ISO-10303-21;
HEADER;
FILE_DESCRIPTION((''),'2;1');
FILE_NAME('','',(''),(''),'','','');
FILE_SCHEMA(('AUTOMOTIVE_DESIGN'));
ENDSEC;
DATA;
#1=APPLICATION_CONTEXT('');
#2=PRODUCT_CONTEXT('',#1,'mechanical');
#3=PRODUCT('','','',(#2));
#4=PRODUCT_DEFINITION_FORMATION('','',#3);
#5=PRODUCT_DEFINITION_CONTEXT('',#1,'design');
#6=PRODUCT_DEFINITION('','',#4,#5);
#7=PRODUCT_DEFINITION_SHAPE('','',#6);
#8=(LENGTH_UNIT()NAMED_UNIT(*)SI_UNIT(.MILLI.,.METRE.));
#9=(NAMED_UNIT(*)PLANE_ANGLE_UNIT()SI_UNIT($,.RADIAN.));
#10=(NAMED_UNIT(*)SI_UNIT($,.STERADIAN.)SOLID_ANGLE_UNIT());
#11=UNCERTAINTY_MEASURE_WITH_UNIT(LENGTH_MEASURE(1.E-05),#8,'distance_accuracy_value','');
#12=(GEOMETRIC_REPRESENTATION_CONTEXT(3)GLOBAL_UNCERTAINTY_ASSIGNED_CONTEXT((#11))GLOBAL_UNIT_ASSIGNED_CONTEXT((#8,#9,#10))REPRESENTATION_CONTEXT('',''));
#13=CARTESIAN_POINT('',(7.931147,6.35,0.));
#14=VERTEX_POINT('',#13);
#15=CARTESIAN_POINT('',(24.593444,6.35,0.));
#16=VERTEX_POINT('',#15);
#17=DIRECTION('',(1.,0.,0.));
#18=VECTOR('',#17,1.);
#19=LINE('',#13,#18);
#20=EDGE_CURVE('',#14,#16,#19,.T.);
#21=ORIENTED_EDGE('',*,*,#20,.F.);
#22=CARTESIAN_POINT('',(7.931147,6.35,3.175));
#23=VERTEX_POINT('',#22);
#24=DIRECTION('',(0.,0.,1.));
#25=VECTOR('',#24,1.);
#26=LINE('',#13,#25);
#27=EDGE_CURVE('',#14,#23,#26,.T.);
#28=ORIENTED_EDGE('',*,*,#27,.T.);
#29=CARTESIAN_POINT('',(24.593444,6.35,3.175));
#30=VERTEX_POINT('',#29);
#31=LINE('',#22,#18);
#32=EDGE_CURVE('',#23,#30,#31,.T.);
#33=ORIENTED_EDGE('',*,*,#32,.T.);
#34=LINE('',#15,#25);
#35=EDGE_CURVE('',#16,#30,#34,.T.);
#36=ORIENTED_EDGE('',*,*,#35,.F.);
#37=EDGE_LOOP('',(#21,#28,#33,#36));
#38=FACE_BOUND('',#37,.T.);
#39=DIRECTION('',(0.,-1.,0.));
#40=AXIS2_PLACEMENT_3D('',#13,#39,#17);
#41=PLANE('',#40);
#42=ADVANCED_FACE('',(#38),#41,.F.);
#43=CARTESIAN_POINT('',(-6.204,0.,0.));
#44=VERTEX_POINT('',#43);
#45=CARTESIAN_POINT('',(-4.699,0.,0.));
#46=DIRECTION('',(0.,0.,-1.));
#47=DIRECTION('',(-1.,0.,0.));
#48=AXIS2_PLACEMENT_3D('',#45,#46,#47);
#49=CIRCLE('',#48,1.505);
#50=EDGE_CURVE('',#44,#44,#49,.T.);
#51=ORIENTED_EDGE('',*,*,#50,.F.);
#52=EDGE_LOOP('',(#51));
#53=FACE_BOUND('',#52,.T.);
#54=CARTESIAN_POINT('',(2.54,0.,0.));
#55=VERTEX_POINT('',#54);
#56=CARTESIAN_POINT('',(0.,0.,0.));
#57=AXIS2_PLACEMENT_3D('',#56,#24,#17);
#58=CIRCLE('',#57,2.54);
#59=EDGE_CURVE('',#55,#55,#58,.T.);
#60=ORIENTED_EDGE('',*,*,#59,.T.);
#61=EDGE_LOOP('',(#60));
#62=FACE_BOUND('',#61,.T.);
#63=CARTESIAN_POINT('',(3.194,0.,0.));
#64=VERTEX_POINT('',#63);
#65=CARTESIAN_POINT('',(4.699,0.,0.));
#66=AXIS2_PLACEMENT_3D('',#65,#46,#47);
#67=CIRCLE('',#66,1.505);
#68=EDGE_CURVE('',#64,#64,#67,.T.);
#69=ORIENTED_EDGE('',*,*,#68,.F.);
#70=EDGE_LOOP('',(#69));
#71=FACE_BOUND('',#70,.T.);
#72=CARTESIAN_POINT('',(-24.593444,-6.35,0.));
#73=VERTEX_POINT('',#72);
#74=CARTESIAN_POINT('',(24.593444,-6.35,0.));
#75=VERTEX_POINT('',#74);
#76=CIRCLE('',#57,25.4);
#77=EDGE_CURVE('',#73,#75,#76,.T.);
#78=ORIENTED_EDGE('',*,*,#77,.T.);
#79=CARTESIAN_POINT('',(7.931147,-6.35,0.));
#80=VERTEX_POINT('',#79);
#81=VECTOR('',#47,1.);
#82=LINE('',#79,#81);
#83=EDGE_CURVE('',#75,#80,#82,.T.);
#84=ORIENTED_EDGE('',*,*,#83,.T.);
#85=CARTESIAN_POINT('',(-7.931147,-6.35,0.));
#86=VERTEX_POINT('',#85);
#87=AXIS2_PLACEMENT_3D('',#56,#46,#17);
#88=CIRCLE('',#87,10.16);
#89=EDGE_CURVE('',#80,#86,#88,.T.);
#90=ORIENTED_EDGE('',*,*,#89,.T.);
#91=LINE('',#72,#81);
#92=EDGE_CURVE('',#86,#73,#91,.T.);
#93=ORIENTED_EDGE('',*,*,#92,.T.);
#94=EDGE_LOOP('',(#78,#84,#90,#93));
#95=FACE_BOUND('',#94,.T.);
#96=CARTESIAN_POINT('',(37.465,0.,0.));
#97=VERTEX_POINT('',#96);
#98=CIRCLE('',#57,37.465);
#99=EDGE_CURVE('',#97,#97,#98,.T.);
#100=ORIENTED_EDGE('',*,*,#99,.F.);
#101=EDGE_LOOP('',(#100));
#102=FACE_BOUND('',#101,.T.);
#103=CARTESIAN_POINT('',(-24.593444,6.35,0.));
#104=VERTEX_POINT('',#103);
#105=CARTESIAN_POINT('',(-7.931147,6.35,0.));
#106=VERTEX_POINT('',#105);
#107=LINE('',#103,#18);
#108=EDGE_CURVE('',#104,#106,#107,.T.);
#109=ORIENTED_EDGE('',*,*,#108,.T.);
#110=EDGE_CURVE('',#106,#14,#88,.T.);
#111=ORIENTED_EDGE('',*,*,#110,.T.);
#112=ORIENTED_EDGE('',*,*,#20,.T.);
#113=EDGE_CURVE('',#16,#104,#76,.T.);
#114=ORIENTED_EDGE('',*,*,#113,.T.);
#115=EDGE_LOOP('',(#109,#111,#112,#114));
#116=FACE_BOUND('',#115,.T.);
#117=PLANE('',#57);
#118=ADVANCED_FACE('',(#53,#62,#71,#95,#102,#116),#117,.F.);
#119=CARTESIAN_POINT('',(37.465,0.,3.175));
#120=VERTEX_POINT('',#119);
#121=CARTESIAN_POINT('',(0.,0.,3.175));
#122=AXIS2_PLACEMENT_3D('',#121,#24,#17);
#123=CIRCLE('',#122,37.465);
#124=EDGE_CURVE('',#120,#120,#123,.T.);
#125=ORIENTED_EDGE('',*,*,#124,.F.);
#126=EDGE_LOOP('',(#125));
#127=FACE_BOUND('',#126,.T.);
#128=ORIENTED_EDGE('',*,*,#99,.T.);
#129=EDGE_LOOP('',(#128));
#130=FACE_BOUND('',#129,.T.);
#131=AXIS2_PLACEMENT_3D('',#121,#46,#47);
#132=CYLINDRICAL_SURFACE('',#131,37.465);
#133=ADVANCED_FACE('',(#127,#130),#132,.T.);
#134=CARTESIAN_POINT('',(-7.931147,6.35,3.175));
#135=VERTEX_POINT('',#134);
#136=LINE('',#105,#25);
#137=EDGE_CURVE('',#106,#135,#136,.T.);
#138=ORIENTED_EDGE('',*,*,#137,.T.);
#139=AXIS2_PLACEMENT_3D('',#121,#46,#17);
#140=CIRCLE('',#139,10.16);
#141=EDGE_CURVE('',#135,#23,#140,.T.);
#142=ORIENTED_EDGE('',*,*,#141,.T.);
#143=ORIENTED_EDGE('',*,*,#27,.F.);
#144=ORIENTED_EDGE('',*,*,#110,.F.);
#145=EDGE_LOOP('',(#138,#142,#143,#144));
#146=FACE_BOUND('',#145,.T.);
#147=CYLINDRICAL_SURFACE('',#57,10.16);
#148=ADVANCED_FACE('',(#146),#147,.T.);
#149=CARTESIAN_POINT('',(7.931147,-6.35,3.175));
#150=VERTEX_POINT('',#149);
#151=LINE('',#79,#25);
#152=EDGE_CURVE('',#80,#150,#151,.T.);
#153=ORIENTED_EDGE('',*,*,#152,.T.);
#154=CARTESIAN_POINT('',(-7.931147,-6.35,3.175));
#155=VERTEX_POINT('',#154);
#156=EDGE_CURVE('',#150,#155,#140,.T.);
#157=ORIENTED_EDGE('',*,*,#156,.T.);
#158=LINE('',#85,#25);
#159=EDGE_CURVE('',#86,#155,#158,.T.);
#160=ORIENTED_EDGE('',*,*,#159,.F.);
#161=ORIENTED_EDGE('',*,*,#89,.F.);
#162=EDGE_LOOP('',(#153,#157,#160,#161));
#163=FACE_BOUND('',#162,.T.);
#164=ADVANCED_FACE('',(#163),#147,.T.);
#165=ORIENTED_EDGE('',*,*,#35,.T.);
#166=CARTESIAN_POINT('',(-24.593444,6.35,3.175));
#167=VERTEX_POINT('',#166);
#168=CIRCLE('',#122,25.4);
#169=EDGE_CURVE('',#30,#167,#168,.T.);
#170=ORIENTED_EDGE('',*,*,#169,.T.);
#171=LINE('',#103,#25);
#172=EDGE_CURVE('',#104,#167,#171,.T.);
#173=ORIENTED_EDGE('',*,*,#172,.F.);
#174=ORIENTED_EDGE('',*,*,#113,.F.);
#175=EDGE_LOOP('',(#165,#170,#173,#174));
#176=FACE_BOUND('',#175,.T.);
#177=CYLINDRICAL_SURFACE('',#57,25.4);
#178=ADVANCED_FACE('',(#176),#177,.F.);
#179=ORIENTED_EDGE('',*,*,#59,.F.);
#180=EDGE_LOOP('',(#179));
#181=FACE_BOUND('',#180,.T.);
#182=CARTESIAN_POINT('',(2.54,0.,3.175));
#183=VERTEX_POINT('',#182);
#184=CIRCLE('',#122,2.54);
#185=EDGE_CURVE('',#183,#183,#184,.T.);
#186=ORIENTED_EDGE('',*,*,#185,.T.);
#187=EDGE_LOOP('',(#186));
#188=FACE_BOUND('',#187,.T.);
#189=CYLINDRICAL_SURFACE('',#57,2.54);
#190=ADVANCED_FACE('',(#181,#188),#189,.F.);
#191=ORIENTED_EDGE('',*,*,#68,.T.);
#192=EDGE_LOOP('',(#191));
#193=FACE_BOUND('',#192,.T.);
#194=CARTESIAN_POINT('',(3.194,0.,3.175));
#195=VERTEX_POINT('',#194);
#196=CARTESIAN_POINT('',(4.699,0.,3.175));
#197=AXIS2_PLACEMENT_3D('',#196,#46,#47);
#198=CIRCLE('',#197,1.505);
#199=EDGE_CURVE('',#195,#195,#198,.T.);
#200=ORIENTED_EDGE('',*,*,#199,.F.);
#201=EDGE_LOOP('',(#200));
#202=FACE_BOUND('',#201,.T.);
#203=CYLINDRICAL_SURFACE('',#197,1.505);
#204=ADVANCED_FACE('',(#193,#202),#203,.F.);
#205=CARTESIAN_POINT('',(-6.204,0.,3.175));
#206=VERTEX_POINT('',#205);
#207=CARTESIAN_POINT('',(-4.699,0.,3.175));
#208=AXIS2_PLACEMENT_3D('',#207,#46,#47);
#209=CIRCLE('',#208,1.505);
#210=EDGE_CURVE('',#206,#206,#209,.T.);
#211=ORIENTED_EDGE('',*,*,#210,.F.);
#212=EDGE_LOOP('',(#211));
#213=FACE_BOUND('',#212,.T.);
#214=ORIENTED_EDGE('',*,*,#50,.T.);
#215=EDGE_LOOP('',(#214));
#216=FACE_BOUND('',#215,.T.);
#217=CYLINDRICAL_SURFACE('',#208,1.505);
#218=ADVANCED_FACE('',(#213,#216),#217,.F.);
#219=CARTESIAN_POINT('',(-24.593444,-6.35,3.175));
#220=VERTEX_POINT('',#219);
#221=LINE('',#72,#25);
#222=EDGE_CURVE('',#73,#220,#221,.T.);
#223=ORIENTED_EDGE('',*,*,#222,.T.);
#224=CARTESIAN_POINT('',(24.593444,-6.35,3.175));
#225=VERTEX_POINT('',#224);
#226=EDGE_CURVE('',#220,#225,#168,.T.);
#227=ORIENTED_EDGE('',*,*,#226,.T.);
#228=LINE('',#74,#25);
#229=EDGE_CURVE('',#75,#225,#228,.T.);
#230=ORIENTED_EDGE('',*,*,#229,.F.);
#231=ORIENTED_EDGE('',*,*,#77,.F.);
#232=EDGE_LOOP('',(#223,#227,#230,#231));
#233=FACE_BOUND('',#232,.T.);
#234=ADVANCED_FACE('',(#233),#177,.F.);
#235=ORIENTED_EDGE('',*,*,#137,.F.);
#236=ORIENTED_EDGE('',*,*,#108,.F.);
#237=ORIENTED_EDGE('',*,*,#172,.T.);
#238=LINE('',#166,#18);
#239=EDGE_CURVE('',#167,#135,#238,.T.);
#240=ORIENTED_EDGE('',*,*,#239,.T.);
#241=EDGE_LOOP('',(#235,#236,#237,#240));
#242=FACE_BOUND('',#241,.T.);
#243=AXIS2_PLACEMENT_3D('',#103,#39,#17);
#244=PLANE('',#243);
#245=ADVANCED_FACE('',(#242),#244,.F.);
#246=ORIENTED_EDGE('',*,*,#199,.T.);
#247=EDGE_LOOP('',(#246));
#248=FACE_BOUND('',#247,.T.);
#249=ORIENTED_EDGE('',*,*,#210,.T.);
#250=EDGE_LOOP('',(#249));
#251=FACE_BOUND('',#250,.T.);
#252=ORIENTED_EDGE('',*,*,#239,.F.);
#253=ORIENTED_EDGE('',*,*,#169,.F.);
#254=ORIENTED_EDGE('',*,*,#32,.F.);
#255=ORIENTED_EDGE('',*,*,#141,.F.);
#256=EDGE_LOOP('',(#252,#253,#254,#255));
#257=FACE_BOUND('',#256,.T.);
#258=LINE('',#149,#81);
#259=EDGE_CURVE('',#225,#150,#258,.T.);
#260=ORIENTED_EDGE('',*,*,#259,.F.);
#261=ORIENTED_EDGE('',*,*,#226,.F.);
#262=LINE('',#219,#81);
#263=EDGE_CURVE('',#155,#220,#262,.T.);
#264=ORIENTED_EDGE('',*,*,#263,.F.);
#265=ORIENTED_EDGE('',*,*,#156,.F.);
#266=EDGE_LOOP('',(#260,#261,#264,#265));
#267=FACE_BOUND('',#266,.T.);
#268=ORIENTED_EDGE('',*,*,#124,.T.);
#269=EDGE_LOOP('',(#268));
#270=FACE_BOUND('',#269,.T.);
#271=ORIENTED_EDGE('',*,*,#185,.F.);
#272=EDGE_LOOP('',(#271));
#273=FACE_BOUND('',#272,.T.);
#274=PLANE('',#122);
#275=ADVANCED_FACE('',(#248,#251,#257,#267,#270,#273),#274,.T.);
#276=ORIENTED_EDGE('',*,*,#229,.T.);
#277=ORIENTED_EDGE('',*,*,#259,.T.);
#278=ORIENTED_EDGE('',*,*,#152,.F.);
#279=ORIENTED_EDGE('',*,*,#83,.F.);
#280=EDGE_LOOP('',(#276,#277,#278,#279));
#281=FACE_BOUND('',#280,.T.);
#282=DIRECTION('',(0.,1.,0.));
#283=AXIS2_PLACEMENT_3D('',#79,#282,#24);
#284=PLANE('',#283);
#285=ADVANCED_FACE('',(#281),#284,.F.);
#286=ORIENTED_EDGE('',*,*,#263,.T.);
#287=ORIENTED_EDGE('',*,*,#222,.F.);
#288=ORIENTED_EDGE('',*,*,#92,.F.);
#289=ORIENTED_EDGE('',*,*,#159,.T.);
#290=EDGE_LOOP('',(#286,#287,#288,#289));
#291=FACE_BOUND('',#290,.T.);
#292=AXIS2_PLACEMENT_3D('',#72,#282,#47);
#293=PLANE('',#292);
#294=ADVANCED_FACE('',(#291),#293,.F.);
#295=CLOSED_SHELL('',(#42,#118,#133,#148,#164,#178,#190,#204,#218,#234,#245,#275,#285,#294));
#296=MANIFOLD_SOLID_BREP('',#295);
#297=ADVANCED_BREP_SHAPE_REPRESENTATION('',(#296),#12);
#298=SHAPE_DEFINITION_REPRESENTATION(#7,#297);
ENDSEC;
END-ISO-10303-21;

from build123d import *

# Parameters (mm, degrees)
SKETCH1_R           = 37.465
BOSS_EXTRUDE1_DEPTH = 3.175
CUT_EXTRUDE1_DEPTH  = 54.078555698
SKETCH3_R           = 2.54
CUT_EXTRUDE2_DEPTH  = 54.078555698
SKETCH4_R           = 1.505
CUT_EXTRUDE3_DEPTH  = 54.078555698


with BuildPart() as part:
    # Sketch1 → Boss-Extrude1 (new body)
    with BuildSketch(Plane.XY):
        Circle(SKETCH1_R)
    extrude(amount=BOSS_EXTRUDE1_DEPTH)

    # Sketch2 → Cut-Extrude1 (cut, through all)
    with BuildSketch(Plane.XY.offset(3.175)):
        with BuildLine():
            Line((-24.593444248, -6.35), (-7.931147458, -6.35))
            ThreePointArc((-7.931147458, -6.35), (0, -10.16), (7.931147458, -6.35))
            Line((7.931147458, -6.35), (24.593444248, -6.35))
            ThreePointArc((24.593444248, -6.35), (0, -25.4), (-24.593444248, -6.35))
        make_face()
        with BuildLine():
            Line((7.931147458, 6.35), (24.593444248, 6.35))
            ThreePointArc((24.593444248, 6.35), (0, 25.4), (-24.593444248, 6.35))
            Line((-24.593444248, 6.35), (-7.931147458, 6.35))
            ThreePointArc((-7.931147458, 6.35), (0, 10.16), (7.931147458, 6.35))
        make_face()
    extrude(amount=-CUT_EXTRUDE1_DEPTH, mode=Mode.SUBTRACT)

    # Sketch3 → Cut-Extrude2 (cut, through all)
    with BuildSketch(Plane.XY.offset(3.175)):
        Circle(SKETCH3_R)
    extrude(amount=-CUT_EXTRUDE2_DEPTH, mode=Mode.SUBTRACT)

    # Sketch4 → Cut-Extrude3 (cut, through all)
    with BuildSketch(Plane(origin=(0, 0, 0), x_dir=(-1, 0, 0), z_dir=(0, 0, -1))):
        with Locations((-4.699, 0)):
            Circle(SKETCH4_R)
        with Locations((4.699, 0)):
            Circle(SKETCH4_R)
    extrude(amount=-CUT_EXTRUDE3_DEPTH, mode=Mode.SUBTRACT)


solid = part.part
